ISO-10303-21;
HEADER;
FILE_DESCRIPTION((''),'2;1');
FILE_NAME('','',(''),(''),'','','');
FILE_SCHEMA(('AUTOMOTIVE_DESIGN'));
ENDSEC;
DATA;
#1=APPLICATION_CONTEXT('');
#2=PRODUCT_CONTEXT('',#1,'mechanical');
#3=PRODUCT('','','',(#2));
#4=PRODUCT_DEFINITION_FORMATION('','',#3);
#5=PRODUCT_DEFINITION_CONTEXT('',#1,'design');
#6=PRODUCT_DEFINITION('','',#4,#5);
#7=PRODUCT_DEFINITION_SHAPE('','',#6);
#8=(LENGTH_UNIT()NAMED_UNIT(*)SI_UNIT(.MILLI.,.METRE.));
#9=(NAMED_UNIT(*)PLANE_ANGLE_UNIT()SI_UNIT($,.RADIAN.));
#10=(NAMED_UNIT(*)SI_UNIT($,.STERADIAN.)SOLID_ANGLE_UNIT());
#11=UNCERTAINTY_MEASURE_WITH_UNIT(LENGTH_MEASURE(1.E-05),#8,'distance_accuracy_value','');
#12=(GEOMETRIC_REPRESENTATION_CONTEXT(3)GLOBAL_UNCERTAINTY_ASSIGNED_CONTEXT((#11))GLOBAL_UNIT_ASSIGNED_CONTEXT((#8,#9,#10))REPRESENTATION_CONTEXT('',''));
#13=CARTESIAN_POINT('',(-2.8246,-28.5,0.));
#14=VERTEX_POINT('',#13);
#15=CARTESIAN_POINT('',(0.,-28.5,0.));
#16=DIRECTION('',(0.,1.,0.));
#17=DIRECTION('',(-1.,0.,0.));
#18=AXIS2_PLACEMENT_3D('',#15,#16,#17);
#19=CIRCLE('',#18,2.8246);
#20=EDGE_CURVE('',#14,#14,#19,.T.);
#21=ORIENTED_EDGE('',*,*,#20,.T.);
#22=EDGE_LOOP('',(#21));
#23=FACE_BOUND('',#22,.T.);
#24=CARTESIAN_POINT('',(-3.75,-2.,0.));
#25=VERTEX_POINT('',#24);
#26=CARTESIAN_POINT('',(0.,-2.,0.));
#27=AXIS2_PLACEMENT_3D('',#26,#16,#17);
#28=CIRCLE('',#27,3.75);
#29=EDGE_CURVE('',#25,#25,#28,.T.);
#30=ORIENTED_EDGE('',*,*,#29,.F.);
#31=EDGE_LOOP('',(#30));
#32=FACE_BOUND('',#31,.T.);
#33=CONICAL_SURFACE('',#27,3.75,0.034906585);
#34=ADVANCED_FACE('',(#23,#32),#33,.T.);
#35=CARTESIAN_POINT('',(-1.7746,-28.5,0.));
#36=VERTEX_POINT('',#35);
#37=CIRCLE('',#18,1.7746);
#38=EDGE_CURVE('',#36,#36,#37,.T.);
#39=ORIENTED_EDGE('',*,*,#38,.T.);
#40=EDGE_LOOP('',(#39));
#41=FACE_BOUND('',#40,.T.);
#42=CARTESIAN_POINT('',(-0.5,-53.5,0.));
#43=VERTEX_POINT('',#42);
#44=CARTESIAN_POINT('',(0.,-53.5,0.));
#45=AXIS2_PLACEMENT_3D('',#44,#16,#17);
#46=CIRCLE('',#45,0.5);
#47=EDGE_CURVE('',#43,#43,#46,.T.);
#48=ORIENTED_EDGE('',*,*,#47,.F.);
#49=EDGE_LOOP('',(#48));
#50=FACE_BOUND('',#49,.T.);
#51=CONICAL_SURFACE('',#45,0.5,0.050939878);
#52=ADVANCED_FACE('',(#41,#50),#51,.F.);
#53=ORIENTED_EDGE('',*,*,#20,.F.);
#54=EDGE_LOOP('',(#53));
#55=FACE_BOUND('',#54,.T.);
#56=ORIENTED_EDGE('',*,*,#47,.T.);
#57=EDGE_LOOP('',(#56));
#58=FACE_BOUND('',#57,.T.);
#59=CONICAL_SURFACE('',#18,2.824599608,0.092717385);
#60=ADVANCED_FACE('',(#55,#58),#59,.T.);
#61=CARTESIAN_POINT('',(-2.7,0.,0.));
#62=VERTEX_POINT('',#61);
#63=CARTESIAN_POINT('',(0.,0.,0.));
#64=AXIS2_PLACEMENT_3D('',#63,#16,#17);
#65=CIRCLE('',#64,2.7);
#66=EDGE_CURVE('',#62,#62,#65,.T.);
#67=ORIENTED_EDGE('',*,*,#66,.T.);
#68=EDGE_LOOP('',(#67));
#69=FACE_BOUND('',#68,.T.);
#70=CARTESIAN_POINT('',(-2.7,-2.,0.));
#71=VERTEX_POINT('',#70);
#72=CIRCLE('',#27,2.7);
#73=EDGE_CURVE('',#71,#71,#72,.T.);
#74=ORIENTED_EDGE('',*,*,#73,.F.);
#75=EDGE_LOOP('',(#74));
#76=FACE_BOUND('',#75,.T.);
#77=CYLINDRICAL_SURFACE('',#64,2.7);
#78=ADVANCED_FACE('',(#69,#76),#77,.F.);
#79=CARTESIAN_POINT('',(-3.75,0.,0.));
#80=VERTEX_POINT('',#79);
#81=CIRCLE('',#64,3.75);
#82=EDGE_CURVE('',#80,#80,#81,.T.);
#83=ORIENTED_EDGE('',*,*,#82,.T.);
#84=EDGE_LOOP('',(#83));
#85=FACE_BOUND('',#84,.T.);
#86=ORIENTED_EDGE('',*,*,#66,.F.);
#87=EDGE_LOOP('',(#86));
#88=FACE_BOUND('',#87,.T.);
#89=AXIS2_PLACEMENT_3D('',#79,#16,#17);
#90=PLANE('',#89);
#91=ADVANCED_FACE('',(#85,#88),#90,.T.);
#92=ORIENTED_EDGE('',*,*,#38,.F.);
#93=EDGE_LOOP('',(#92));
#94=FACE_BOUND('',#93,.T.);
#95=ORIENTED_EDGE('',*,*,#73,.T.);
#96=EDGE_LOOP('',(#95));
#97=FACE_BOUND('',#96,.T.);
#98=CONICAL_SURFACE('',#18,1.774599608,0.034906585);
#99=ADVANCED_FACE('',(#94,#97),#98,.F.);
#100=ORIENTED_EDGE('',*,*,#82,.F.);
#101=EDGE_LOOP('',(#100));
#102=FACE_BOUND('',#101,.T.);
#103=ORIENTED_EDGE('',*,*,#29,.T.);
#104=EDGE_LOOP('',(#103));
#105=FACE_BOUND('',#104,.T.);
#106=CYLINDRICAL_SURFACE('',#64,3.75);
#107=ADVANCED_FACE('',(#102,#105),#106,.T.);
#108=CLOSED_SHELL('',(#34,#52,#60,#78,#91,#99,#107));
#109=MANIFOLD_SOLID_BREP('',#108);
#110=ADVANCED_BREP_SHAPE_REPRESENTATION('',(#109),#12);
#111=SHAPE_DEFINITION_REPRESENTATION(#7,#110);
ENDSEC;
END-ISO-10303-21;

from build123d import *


with BuildPart() as part:
    # Skizze1 → Rotation1 (revolve)
    with BuildSketch(Plane.XY):
        Polygon((-2.7, 0), (-2.7, -2), (-1.774599608, -28.5), (-0.5, -53.5), (-2.824599608, -28.5), (-3.75, -2), (-3.75, 0), align=None)
    revolve(axis=Axis((0, 0, 0), (0, -1, 0)))


solid = part.part
